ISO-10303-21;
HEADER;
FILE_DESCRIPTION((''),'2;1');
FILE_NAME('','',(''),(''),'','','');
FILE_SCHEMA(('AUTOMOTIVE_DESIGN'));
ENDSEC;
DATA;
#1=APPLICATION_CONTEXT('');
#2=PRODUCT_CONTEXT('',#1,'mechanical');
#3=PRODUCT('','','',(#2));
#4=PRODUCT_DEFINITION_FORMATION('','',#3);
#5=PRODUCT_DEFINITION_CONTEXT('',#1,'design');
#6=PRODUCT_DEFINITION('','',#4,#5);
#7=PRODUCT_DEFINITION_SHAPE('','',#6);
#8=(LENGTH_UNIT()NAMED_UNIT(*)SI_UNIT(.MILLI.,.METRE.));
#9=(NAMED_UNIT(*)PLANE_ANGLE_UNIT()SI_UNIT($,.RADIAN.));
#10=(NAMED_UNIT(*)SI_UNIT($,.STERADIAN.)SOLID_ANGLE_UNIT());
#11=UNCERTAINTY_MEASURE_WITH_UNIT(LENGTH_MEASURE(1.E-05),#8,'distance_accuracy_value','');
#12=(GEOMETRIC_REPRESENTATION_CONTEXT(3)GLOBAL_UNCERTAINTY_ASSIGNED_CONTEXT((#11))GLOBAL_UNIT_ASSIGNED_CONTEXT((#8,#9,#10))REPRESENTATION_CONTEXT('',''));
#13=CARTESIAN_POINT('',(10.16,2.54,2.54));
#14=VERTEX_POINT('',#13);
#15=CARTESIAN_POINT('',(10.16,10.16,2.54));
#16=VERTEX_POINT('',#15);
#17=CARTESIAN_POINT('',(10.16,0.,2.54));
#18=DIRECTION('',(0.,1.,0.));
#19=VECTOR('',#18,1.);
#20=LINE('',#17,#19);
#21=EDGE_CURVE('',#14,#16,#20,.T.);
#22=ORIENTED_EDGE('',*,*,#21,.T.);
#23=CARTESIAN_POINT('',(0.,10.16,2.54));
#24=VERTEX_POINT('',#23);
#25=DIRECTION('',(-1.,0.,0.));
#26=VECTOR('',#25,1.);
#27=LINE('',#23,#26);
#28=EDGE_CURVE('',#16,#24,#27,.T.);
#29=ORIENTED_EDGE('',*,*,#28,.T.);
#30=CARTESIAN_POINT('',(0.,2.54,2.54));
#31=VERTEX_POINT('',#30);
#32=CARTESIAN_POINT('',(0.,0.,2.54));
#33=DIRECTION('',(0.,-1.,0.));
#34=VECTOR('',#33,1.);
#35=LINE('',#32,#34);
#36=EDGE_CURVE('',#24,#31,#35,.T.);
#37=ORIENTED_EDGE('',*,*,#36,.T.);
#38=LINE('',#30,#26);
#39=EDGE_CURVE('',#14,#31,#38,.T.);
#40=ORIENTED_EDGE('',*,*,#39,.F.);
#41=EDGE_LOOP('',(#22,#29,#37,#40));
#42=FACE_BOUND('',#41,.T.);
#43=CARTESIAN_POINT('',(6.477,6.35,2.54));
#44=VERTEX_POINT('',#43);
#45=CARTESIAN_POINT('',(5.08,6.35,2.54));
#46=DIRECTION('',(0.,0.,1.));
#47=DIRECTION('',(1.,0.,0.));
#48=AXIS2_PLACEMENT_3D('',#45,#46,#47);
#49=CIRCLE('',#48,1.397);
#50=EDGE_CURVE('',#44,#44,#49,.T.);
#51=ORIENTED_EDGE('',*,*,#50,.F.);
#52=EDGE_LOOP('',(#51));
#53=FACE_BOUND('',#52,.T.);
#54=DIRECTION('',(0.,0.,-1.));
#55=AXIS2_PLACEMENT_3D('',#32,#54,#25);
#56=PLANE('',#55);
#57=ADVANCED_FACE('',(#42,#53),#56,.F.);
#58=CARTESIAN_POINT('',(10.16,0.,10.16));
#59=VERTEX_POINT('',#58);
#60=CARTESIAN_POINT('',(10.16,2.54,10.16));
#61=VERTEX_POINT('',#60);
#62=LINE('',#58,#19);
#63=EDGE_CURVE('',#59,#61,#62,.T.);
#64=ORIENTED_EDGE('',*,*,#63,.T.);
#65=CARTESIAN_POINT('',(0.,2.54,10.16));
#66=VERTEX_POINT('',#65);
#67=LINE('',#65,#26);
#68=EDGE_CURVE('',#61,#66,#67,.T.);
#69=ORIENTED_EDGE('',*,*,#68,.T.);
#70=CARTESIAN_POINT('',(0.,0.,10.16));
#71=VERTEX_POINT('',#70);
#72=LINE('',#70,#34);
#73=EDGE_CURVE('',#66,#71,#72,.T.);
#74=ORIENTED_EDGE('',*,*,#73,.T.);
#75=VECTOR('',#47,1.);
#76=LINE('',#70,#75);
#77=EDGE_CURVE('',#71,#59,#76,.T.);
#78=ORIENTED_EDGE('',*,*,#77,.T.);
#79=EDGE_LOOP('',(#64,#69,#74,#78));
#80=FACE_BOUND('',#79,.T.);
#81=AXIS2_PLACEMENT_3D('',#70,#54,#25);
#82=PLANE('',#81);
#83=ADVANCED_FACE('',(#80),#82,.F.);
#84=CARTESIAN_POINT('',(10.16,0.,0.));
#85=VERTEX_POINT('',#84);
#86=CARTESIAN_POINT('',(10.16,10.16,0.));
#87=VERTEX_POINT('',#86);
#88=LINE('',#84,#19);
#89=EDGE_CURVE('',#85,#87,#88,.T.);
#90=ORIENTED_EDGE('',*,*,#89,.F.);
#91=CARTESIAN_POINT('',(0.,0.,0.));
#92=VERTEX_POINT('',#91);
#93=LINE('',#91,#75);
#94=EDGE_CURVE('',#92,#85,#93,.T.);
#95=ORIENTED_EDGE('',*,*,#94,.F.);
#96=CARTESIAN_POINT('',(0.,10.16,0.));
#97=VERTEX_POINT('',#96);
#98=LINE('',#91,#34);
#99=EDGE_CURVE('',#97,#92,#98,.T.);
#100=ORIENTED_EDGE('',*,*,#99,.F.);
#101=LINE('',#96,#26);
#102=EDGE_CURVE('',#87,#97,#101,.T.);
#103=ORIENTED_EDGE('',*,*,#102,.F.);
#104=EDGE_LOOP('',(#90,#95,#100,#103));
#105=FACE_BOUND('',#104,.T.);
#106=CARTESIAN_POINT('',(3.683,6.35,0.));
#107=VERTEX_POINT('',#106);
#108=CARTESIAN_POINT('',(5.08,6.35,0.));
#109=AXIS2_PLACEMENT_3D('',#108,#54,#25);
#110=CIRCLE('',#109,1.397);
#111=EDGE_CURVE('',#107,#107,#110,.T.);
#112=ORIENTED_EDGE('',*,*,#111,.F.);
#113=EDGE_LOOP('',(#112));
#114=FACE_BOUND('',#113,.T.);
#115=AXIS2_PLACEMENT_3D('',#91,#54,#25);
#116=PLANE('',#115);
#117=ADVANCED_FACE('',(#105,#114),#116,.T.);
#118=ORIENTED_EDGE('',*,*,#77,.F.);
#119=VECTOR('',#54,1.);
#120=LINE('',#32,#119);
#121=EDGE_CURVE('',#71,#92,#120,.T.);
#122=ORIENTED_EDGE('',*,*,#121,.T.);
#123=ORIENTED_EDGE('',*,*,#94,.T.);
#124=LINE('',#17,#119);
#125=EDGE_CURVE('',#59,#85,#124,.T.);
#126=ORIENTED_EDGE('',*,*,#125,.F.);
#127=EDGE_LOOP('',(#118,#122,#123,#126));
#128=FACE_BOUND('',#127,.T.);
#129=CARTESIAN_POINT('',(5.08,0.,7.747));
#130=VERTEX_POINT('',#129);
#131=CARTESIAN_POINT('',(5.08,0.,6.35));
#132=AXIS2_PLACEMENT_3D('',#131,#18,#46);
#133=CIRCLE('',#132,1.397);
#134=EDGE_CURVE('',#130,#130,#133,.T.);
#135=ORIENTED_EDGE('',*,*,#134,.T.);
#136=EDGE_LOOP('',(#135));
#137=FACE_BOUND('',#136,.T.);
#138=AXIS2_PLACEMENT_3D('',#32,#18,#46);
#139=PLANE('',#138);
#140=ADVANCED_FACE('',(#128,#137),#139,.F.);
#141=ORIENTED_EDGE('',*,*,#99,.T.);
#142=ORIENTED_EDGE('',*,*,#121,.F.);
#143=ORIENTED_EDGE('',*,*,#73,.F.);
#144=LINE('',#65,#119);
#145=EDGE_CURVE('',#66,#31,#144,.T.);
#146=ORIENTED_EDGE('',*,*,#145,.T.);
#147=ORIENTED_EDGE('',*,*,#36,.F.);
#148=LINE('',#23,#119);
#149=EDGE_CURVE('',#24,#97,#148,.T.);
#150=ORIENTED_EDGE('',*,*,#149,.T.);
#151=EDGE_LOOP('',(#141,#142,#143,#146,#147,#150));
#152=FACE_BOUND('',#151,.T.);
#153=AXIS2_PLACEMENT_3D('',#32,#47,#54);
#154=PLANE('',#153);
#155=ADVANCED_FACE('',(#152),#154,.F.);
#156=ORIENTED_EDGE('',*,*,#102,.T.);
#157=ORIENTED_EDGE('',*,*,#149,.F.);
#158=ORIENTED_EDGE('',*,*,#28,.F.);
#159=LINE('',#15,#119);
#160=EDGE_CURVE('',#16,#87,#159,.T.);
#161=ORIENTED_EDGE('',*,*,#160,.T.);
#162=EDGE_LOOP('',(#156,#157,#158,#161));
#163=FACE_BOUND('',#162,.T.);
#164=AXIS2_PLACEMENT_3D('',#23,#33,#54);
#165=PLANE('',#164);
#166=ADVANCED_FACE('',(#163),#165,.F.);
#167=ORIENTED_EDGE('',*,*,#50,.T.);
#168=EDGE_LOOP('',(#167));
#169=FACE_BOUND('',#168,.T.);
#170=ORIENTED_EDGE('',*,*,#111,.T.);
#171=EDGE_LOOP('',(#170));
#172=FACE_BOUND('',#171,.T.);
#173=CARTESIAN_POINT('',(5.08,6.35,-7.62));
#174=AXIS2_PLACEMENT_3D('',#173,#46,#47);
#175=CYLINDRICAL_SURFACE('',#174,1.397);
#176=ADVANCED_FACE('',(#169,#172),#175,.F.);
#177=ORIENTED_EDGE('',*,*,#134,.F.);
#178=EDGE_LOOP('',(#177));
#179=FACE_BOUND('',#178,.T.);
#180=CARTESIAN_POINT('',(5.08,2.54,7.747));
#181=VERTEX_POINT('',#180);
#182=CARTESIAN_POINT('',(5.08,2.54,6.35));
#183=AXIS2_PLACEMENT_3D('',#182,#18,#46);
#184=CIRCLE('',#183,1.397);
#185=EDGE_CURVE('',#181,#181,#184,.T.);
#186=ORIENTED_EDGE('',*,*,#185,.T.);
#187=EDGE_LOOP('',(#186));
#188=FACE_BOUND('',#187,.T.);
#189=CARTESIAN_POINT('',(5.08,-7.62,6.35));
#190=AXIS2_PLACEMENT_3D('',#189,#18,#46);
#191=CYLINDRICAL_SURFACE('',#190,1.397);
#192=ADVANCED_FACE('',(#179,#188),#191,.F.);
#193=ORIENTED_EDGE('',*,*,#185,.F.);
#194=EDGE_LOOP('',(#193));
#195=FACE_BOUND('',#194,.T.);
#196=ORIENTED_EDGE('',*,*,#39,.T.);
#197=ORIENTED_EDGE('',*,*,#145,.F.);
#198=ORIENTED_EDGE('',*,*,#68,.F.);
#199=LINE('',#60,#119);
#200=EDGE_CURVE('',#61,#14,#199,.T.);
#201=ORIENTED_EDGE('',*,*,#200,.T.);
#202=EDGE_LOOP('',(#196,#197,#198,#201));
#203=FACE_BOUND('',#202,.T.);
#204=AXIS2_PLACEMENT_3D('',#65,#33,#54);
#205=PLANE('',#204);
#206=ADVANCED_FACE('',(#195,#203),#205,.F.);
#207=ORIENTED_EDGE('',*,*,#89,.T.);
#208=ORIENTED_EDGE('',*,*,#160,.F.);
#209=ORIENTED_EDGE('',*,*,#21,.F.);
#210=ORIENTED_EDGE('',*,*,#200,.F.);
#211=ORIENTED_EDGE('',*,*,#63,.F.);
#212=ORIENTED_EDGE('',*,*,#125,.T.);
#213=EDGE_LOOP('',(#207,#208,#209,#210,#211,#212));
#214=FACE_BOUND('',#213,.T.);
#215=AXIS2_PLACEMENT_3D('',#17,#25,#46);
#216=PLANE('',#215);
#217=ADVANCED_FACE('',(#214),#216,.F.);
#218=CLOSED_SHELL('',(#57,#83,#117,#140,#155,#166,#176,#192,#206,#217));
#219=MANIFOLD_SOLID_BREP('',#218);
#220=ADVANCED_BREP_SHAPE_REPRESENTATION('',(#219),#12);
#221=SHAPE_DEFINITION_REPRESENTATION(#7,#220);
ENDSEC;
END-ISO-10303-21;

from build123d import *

# Parameters (mm, degrees)
SKETCH1_W           = 10.16
SKETCH1_H           = 10.16
BOSS_EXTRUDE1_DEPTH = 2.54
SKETCH2_W           = 10.16
SKETCH2_H           = 2.54
BOSS_EXTRUDE2_DEPTH = 7.62
SKETCH3_R           = 1.397
CUT_EXTRUDE1_DEPTH  = 10.16
SKETCH4_R           = 1.397
CUT_EXTRUDE2_DEPTH  = 10.16


with BuildPart() as part:
    # Sketch1 → Boss-Extrude1 (new body)
    with BuildSketch(Plane.XY):
        with Locations((5.08, 5.08)):
            Rectangle(SKETCH1_W, SKETCH1_H)
    extrude(amount=BOSS_EXTRUDE1_DEPTH)

    # Sketch2 → Boss-Extrude2 (add)
    with BuildSketch(Plane.XY.offset(2.54)):
        with Locations((5.08, 1.27)):
            Rectangle(SKETCH2_W, SKETCH2_H)
    extrude(amount=BOSS_EXTRUDE2_DEPTH)

    # Sketch3 → Cut-Extrude1 (cut)
    with BuildSketch(Plane.XY.offset(2.54)):
        with Locations((5.08, 6.35)):
            Circle(SKETCH3_R)
    extrude(amount=-CUT_EXTRUDE1_DEPTH, mode=Mode.SUBTRACT)

    # Sketch4 → Cut-Extrude2 (cut)
    with BuildSketch(Plane(origin=(0, 2.54, 0), x_dir=(1, 0, 0), z_dir=(0, 1, 0))):
        with Locations((5.08, -6.35)):
            Circle(SKETCH4_R)
    extrude(amount=-CUT_EXTRUDE2_DEPTH, mode=Mode.SUBTRACT)


solid = part.part
